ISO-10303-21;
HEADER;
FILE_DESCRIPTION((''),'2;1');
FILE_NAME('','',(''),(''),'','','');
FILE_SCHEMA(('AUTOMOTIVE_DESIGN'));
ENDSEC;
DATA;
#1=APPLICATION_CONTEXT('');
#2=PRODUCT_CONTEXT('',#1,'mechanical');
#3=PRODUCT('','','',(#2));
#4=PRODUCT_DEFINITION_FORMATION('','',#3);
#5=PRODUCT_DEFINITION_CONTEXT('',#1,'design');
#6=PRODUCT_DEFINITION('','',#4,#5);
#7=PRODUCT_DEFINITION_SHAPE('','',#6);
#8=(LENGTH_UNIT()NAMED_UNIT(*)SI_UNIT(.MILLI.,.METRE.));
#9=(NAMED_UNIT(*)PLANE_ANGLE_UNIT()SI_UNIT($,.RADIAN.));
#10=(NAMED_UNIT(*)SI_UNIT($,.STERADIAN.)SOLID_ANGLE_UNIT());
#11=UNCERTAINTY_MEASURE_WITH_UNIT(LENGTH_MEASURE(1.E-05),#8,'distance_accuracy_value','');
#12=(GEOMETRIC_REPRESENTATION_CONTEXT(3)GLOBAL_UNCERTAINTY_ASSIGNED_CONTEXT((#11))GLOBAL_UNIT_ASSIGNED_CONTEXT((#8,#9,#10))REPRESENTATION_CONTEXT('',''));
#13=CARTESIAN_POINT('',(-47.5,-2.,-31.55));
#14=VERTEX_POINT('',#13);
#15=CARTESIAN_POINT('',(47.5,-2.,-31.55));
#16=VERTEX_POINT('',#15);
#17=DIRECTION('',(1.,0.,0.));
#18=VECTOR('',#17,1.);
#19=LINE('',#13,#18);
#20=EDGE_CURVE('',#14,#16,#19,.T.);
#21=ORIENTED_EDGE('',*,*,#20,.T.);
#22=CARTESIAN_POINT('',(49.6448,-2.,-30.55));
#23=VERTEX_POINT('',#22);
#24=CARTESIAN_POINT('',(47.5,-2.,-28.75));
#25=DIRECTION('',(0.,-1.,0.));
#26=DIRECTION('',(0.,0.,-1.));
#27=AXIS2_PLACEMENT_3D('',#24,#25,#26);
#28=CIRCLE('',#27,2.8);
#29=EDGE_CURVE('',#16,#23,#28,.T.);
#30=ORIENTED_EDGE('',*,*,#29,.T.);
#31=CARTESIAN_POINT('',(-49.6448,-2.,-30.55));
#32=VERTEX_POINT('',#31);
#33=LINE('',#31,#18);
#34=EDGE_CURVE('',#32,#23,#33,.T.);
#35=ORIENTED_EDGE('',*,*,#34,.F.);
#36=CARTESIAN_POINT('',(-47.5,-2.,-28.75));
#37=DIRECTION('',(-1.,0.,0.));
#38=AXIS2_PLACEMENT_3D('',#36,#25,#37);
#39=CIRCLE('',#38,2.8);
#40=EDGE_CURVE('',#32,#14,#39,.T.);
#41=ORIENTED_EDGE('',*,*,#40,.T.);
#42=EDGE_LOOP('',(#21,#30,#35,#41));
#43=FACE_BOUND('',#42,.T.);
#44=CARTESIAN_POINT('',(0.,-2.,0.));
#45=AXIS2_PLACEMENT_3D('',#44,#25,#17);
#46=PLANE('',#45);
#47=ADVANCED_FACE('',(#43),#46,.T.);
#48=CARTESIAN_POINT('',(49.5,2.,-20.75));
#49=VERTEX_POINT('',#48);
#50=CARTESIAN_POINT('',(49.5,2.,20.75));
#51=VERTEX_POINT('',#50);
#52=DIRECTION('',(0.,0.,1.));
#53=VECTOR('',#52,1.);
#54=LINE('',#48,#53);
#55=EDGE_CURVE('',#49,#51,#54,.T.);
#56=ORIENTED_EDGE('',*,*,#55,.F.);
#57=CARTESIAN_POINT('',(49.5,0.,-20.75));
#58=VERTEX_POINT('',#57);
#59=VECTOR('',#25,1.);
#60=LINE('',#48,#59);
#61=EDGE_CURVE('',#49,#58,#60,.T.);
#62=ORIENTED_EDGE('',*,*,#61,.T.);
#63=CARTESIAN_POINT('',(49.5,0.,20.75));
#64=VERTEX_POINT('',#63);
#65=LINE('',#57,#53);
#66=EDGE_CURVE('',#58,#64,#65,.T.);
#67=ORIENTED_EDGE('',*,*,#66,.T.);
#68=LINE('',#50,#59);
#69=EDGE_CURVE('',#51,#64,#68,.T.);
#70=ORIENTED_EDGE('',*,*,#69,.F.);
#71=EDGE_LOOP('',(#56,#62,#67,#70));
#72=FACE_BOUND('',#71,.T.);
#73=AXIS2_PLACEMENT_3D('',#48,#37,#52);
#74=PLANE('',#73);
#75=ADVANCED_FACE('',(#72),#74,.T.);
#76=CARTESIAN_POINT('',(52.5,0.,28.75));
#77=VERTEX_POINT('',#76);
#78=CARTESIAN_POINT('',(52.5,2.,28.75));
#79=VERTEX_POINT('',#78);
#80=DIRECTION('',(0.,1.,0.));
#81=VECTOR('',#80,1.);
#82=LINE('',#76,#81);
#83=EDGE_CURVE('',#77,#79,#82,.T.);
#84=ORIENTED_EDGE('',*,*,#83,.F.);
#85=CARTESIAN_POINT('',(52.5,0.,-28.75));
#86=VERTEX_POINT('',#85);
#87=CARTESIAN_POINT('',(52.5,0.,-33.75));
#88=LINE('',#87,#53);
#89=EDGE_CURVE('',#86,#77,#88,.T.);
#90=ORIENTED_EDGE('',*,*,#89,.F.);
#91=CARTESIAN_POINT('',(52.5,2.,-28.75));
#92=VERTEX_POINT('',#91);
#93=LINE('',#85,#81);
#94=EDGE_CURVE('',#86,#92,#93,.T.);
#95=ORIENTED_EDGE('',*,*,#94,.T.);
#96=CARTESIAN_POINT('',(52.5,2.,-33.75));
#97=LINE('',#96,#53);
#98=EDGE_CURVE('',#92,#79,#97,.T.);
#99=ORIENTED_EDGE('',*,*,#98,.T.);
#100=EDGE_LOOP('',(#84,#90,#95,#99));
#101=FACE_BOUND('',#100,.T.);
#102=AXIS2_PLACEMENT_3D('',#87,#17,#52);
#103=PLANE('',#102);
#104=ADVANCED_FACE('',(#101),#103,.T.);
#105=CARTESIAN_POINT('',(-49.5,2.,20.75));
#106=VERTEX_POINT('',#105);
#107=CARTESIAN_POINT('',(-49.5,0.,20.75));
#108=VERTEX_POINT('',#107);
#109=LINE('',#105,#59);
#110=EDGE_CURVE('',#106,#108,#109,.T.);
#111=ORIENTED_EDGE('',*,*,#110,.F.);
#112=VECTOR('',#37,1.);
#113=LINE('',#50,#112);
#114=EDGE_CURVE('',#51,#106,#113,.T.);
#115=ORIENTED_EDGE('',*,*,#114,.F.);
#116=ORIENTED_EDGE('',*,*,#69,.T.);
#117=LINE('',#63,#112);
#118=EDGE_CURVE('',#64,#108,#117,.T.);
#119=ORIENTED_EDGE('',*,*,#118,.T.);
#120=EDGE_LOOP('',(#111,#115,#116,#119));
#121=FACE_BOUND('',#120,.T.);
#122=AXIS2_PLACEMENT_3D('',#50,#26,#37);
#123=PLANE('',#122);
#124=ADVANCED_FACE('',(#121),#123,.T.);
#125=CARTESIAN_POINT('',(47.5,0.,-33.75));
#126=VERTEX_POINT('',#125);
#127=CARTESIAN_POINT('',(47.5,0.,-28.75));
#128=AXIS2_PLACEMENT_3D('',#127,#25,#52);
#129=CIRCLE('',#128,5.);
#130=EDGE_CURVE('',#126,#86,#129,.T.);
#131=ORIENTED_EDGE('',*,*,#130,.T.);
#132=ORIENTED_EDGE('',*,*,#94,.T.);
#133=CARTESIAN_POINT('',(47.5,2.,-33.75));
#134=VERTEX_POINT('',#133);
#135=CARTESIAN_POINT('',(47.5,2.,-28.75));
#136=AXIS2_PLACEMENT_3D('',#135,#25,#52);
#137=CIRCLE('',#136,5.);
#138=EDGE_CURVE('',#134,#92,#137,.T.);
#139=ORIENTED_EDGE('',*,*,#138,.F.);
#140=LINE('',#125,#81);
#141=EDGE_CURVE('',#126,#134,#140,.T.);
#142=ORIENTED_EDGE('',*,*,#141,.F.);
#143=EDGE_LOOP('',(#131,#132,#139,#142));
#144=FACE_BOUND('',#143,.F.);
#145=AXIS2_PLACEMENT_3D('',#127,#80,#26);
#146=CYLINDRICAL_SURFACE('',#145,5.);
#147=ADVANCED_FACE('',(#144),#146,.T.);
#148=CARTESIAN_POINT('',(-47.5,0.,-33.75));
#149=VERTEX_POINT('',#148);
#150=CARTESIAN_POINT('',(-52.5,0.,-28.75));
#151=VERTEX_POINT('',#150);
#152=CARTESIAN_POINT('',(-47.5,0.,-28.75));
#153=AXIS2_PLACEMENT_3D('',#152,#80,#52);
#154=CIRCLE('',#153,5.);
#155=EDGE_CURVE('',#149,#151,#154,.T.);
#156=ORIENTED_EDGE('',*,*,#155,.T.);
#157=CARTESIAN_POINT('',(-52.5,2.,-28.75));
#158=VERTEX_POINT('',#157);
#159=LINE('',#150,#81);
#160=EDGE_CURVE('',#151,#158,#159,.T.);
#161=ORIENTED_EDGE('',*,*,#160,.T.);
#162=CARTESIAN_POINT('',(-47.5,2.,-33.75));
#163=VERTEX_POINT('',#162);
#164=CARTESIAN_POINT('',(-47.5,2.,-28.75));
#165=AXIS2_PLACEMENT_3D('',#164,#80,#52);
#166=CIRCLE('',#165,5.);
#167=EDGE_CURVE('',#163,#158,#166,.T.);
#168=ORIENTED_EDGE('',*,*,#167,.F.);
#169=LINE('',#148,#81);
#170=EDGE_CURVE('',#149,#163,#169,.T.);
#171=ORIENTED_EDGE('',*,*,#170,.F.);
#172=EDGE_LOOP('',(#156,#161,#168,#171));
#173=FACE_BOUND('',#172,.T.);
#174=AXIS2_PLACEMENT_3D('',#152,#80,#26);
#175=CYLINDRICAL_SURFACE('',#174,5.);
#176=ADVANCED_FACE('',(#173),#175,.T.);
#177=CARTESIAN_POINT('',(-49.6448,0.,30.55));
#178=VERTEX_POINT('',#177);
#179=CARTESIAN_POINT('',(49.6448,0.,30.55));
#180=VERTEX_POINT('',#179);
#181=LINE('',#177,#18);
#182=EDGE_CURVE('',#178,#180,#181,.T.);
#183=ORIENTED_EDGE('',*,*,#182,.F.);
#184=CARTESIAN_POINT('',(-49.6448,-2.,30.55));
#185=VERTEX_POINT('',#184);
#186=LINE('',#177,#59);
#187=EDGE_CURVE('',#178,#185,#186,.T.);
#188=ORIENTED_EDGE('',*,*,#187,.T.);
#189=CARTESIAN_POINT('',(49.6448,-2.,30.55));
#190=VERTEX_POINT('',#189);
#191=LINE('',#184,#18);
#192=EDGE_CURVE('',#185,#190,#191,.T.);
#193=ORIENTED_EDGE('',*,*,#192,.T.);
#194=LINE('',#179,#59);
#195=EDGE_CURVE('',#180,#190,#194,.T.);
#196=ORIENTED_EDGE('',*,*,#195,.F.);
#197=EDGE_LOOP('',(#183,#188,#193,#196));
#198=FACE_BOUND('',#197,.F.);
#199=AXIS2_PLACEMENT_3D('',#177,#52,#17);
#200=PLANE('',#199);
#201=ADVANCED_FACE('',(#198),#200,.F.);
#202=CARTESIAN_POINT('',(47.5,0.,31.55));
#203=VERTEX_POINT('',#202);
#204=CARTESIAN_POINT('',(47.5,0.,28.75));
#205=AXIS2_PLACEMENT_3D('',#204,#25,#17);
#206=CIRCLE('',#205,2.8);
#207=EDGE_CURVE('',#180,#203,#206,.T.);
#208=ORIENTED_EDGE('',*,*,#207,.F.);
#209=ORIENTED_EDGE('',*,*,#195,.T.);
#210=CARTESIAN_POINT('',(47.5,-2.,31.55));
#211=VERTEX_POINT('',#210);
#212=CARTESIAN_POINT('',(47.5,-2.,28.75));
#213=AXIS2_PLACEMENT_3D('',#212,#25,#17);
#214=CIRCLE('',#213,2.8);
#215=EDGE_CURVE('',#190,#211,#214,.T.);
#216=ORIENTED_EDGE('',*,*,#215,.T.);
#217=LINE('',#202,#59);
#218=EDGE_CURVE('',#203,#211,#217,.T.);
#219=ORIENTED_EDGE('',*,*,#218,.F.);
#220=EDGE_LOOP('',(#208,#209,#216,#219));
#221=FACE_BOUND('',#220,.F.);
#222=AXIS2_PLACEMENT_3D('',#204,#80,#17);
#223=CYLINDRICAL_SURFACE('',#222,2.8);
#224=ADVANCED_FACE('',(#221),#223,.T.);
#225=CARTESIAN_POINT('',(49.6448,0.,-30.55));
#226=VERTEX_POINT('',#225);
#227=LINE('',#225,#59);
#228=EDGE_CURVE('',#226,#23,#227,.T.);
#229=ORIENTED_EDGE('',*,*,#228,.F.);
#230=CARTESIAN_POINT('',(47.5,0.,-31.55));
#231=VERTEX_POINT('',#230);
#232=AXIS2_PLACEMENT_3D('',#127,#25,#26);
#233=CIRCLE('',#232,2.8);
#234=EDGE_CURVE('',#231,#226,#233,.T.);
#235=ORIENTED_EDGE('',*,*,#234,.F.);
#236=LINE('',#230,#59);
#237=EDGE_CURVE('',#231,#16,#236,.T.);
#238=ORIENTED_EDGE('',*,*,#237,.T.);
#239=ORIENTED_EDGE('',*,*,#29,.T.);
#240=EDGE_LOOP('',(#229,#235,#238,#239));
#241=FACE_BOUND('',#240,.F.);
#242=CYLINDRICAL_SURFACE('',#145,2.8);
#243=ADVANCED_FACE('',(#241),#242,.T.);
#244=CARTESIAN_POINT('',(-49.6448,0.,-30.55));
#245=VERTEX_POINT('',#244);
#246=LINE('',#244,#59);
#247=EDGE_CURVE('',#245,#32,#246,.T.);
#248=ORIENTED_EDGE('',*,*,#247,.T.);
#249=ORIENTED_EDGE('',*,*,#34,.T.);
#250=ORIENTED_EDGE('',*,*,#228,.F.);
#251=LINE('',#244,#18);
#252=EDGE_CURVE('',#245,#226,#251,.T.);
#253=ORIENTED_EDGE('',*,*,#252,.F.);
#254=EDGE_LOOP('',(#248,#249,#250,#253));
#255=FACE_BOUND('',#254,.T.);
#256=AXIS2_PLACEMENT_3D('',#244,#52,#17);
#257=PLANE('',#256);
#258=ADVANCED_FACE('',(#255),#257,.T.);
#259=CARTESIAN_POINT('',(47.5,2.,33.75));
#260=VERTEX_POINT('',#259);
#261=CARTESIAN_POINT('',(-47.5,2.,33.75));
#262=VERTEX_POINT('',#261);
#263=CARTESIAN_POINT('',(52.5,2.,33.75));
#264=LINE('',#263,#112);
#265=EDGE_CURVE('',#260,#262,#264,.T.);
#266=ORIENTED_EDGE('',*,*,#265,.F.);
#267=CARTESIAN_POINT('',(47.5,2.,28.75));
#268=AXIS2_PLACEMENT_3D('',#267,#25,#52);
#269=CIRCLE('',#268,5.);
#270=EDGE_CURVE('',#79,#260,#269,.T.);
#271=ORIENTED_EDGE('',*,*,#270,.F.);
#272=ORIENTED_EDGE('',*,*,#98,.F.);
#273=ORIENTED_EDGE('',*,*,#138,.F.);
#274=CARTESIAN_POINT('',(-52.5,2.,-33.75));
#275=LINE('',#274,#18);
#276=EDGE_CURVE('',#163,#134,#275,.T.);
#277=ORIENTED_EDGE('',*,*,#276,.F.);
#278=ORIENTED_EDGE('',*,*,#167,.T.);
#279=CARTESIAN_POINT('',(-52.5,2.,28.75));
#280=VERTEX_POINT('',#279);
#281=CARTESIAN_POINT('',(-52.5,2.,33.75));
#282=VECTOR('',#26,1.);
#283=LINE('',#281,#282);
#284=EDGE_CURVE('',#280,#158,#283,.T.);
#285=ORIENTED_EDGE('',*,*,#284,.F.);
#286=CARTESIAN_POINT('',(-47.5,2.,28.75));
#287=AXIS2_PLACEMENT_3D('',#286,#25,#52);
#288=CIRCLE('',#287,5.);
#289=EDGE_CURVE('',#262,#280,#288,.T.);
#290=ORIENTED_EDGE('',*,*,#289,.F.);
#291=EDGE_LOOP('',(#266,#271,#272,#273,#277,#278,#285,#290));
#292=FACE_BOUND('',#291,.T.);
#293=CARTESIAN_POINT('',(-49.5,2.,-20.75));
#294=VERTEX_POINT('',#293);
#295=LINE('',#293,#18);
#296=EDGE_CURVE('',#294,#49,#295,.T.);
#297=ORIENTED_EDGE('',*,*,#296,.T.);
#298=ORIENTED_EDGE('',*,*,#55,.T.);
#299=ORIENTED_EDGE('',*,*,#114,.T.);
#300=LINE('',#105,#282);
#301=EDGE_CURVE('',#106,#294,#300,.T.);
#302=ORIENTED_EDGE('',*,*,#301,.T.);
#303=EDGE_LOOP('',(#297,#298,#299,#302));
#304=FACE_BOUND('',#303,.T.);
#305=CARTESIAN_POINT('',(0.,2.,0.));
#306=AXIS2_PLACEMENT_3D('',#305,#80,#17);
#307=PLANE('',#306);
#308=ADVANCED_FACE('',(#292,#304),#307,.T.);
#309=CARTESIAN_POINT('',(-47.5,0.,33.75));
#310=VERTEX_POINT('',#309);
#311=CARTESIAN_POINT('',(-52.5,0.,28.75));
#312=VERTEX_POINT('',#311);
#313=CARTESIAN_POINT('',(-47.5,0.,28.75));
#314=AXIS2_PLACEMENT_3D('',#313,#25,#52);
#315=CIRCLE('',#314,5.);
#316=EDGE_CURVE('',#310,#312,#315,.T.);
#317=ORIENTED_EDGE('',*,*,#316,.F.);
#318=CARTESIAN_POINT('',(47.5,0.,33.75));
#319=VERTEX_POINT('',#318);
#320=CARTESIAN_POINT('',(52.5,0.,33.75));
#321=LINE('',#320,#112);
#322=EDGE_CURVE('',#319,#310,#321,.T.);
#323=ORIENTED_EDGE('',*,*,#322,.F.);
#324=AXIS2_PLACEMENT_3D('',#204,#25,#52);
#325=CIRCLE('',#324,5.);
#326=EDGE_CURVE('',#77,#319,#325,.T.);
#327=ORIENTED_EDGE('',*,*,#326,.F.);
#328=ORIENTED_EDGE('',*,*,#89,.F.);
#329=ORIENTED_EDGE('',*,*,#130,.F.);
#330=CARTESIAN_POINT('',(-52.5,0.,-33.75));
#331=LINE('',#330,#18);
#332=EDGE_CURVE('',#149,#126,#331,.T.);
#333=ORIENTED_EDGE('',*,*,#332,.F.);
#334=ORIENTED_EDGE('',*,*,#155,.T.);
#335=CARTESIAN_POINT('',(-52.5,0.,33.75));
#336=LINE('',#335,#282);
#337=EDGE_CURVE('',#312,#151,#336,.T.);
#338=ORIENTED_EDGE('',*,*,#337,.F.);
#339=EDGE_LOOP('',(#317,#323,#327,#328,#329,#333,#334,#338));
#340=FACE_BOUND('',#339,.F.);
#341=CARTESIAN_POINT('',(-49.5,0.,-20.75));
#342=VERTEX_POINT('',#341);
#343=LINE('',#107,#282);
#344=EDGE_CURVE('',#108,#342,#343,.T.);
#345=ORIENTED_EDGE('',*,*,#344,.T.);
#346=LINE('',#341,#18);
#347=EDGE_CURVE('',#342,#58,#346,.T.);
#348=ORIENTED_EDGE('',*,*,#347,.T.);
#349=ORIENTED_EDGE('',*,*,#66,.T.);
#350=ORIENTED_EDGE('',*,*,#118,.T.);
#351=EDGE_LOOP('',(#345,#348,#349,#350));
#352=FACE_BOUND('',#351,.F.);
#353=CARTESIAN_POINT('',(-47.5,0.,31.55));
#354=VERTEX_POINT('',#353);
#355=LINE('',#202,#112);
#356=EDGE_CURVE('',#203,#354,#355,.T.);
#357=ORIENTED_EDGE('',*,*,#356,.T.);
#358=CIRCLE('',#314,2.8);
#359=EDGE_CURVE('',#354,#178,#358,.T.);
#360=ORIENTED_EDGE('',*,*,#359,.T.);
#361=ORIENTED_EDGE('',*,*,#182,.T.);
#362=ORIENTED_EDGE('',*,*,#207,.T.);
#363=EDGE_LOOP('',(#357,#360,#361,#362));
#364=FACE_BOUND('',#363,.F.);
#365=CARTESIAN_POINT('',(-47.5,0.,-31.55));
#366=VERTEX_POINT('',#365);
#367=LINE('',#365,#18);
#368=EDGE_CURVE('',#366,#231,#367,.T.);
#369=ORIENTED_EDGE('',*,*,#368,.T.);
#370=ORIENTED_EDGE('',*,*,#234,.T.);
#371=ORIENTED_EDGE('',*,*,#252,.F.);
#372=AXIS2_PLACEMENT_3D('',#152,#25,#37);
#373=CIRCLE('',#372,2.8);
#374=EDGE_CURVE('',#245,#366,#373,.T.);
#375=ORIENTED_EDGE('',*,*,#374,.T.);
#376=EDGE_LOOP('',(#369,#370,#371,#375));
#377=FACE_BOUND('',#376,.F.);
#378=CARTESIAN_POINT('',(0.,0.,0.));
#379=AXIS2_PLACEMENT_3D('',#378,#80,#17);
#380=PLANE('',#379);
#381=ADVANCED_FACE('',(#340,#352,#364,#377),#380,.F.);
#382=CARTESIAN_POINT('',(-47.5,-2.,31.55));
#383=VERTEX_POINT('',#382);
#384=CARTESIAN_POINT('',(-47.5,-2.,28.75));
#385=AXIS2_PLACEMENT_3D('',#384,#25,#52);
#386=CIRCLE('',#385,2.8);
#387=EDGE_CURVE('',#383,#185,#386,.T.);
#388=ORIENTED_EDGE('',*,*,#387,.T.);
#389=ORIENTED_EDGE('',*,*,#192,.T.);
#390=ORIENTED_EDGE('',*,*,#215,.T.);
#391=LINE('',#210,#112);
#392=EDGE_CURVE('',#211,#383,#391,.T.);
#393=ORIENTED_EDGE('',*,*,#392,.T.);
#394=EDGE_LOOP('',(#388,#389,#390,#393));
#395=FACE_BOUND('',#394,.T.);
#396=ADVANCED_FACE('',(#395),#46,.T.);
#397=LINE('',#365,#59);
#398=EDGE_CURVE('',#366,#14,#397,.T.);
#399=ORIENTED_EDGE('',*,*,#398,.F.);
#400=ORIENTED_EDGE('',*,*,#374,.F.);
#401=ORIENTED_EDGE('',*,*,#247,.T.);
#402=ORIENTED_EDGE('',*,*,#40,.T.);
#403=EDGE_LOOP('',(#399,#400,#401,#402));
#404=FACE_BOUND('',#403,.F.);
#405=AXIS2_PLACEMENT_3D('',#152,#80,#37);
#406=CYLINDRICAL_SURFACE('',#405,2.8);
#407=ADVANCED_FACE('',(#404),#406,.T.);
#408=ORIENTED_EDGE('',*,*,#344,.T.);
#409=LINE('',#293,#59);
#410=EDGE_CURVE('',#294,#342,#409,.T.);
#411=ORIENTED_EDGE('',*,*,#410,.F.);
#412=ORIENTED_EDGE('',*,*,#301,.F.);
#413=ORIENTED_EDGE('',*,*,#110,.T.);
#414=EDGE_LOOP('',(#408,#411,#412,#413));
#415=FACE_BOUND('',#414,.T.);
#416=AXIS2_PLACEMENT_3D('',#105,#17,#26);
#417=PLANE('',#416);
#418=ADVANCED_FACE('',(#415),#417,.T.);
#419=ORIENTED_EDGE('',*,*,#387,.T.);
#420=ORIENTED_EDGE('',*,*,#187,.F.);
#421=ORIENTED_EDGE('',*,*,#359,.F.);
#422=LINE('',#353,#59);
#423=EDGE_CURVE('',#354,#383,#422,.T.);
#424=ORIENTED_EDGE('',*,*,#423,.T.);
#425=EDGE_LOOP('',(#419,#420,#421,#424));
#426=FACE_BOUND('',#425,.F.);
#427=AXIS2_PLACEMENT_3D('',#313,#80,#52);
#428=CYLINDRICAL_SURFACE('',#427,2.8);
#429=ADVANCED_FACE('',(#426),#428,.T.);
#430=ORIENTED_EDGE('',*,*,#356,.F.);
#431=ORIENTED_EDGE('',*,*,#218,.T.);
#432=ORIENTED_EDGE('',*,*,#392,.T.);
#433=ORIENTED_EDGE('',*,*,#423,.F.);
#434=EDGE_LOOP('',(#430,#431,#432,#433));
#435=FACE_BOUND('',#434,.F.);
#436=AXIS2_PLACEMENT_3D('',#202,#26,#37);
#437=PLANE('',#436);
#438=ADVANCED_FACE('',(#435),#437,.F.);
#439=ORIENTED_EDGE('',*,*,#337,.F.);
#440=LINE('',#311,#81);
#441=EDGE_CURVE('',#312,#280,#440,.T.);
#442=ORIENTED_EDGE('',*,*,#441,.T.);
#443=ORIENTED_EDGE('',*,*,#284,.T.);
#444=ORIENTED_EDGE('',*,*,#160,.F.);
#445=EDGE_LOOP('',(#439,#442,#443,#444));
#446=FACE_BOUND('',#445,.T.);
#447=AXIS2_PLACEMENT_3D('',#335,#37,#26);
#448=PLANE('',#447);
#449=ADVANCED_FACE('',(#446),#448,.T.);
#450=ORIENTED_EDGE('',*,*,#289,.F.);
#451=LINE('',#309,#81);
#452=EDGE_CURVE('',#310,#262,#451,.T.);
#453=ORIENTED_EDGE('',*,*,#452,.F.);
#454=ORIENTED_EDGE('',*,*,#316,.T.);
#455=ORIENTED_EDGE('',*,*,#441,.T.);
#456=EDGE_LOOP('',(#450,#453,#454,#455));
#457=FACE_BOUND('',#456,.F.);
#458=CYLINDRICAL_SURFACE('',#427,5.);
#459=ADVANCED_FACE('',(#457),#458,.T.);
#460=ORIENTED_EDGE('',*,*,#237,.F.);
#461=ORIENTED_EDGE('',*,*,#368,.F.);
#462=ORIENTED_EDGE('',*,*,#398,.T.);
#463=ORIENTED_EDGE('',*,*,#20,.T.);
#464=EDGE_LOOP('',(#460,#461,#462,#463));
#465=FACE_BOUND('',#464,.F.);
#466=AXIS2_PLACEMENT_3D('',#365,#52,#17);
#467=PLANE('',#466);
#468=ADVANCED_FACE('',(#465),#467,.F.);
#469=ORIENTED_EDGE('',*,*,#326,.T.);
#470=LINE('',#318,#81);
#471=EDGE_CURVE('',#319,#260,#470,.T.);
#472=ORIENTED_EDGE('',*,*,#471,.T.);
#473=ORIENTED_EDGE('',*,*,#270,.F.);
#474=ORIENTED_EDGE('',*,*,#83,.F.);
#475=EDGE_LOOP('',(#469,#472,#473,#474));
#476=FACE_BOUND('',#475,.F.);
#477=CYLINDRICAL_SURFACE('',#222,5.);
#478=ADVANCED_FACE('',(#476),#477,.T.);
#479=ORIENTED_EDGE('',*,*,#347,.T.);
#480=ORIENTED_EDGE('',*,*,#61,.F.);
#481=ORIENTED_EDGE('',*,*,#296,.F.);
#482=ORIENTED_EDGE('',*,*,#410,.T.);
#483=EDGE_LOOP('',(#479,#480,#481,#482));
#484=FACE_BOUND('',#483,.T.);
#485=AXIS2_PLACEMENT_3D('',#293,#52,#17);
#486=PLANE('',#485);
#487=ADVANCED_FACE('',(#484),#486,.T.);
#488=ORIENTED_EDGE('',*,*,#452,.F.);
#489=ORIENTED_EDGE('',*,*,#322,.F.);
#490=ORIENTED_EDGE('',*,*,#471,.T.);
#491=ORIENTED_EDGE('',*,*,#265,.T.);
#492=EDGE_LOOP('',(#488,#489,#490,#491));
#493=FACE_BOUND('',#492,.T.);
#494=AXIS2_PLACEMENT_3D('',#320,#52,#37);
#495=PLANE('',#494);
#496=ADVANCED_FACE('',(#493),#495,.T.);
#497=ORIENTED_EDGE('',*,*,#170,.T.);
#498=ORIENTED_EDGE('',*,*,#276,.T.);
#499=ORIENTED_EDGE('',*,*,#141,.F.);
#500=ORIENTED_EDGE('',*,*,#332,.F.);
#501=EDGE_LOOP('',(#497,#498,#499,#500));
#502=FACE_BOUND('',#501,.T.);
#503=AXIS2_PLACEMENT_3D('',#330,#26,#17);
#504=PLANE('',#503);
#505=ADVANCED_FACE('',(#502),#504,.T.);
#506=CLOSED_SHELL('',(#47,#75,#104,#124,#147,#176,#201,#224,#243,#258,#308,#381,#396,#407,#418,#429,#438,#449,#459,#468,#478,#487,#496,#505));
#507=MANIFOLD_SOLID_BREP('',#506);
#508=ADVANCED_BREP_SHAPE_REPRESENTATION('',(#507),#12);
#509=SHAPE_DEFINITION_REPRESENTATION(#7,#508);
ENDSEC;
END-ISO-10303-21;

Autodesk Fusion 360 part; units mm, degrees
sketch "Sketch1" plane through (0, 0, 0) normal (0, 1, 0) x (1, 0, 0)
  line L0 (-52.5, 33.75) -> (52.5, 33.75)
  line L1 (52.5, 33.75) -> (52.5, -33.75)
  line L2 (52.5, -33.75) -> (-52.5, -33.75)
  line L3 (-52.5, -33.75) -> (-52.5, 33.75)
  line L4 (-52.5, 33.75) -> (52.5, -33.75) construction
  dimension "d115" = 105
  dimension "d116" = 67.5
extrude "Extrude1" add sketch "Sketch1" along normal blind 2
fillet "Fillet1" radius 5 4 edges at (-52.5, 1, 33.75) (52.5, 1, 33.75) (52.5, 1, -33.75) (-52.5, 1, -33.75)
sketch "Sketch2" plane through (0, 2, 0) normal (0, 1, 0) x (-1, 0, 0)
  arc A0 (47.5, -33.75) -> (52.5, -28.75) centre (47.5, -28.75) ccw
  line L0 (52.5, -28.75) -> (52.5, 28.75)
  arc A1 (52.5, 28.75) -> (47.5, 33.75) centre (47.5, 28.75) ccw
  line L1 (47.5, 33.75) -> (-47.5, 33.75)
  arc A2 (-47.5, 33.75) -> (-52.5, 28.75) centre (-47.5, 28.75) ccw
  line L2 (-52.5, 28.75) -> (-52.5, -28.75)
  arc A3 (-52.5, -28.75) -> (-47.5, -33.75) centre (-47.5, -28.75) ccw
  line L3 (-47.5, -33.75) -> (47.5, -33.75)
  line L4 (49.5, -20.75) -> (-49.5, -20.75)
  line L5 (-49.5, -20.75) -> (-49.5, 20.75)
  line L6 (-49.5, 20.75) -> (49.5, 20.75)
  line L7 (49.5, 20.75) -> (49.5, -20.75)
  line L8 (49.5, -20.75) -> (-49.5, 20.75) construction
  dimension "d120" = 99
  dimension "d121" = 41.5
extrude "Extrude2" cut sketch "Sketch2" against normal blind 2 contours L4 L5 L6 L7
sketch "Sketch3" plane through (0, 0, 0) normal (0, -1, 0) x (1, 0, 0)
  line L0 (49.5, 20.75) -> (49.5, -20.75)
  line L1 (49.5, -20.75) -> (-49.5, -20.75)
  line L2 (-49.5, -20.75) -> (-49.5, 20.75)
  line L3 (-49.5, 20.75) -> (49.5, 20.75)
  arc A0 (-52.5, -28.75) -> (-47.5, -33.75) centre (-47.5, -28.75) ccw
  line L4 (-47.5, -33.75) -> (47.5, -33.75)
  arc A1 (47.5, -33.75) -> (52.5, -28.75) centre (47.5, -28.75) ccw
  line L5 (52.5, -28.75) -> (52.5, 28.75)
  arc A2 (52.5, 28.75) -> (47.5, 33.75) centre (47.5, 28.75) ccw
  line L6 (47.5, 33.75) -> (-47.5, 33.75)
  arc A3 (-47.5, 33.75) -> (-52.5, 28.75) centre (-47.5, 28.75) ccw
  line L7 (-52.5, 28.75) -> (-52.5, -28.75)
  line L8 (-50.3, 28.75) -> (-50.3, -28.75)
  arc A4 (-50.3, -28.75) -> (-47.5, -31.55) centre (-47.5, -28.75) ccw
  line L9 (-47.5, -31.55) -> (47.5, -31.55)
  arc A5 (47.5, -31.55) -> (50.3, -28.75) centre (47.5, -28.75) ccw
  line L10 (50.3, -28.75) -> (50.3, 28.75)
  arc A6 (50.3, 28.75) -> (47.5, 31.55) centre (47.5, 28.75) ccw
  line L11 (47.5, 31.55) -> (-47.5, 31.55)
  arc A7 (-47.5, 31.55) -> (-50.3, 28.75) centre (-47.5, 28.75) ccw
  line L12 (-49.6448, 30.55) -> (49.6448, 30.55)
  line L13 (-49.6448, -30.55) -> (49.6448, -30.55)
  dimension "d124" = -2.2
  dimension "d125" = 1
  dimension "d126" = 1
extrude "Extrude3" add sketch "Sketch3" along normal blind 2 contours A6 L11 A7 L12 | A4 L9 A5 L13
